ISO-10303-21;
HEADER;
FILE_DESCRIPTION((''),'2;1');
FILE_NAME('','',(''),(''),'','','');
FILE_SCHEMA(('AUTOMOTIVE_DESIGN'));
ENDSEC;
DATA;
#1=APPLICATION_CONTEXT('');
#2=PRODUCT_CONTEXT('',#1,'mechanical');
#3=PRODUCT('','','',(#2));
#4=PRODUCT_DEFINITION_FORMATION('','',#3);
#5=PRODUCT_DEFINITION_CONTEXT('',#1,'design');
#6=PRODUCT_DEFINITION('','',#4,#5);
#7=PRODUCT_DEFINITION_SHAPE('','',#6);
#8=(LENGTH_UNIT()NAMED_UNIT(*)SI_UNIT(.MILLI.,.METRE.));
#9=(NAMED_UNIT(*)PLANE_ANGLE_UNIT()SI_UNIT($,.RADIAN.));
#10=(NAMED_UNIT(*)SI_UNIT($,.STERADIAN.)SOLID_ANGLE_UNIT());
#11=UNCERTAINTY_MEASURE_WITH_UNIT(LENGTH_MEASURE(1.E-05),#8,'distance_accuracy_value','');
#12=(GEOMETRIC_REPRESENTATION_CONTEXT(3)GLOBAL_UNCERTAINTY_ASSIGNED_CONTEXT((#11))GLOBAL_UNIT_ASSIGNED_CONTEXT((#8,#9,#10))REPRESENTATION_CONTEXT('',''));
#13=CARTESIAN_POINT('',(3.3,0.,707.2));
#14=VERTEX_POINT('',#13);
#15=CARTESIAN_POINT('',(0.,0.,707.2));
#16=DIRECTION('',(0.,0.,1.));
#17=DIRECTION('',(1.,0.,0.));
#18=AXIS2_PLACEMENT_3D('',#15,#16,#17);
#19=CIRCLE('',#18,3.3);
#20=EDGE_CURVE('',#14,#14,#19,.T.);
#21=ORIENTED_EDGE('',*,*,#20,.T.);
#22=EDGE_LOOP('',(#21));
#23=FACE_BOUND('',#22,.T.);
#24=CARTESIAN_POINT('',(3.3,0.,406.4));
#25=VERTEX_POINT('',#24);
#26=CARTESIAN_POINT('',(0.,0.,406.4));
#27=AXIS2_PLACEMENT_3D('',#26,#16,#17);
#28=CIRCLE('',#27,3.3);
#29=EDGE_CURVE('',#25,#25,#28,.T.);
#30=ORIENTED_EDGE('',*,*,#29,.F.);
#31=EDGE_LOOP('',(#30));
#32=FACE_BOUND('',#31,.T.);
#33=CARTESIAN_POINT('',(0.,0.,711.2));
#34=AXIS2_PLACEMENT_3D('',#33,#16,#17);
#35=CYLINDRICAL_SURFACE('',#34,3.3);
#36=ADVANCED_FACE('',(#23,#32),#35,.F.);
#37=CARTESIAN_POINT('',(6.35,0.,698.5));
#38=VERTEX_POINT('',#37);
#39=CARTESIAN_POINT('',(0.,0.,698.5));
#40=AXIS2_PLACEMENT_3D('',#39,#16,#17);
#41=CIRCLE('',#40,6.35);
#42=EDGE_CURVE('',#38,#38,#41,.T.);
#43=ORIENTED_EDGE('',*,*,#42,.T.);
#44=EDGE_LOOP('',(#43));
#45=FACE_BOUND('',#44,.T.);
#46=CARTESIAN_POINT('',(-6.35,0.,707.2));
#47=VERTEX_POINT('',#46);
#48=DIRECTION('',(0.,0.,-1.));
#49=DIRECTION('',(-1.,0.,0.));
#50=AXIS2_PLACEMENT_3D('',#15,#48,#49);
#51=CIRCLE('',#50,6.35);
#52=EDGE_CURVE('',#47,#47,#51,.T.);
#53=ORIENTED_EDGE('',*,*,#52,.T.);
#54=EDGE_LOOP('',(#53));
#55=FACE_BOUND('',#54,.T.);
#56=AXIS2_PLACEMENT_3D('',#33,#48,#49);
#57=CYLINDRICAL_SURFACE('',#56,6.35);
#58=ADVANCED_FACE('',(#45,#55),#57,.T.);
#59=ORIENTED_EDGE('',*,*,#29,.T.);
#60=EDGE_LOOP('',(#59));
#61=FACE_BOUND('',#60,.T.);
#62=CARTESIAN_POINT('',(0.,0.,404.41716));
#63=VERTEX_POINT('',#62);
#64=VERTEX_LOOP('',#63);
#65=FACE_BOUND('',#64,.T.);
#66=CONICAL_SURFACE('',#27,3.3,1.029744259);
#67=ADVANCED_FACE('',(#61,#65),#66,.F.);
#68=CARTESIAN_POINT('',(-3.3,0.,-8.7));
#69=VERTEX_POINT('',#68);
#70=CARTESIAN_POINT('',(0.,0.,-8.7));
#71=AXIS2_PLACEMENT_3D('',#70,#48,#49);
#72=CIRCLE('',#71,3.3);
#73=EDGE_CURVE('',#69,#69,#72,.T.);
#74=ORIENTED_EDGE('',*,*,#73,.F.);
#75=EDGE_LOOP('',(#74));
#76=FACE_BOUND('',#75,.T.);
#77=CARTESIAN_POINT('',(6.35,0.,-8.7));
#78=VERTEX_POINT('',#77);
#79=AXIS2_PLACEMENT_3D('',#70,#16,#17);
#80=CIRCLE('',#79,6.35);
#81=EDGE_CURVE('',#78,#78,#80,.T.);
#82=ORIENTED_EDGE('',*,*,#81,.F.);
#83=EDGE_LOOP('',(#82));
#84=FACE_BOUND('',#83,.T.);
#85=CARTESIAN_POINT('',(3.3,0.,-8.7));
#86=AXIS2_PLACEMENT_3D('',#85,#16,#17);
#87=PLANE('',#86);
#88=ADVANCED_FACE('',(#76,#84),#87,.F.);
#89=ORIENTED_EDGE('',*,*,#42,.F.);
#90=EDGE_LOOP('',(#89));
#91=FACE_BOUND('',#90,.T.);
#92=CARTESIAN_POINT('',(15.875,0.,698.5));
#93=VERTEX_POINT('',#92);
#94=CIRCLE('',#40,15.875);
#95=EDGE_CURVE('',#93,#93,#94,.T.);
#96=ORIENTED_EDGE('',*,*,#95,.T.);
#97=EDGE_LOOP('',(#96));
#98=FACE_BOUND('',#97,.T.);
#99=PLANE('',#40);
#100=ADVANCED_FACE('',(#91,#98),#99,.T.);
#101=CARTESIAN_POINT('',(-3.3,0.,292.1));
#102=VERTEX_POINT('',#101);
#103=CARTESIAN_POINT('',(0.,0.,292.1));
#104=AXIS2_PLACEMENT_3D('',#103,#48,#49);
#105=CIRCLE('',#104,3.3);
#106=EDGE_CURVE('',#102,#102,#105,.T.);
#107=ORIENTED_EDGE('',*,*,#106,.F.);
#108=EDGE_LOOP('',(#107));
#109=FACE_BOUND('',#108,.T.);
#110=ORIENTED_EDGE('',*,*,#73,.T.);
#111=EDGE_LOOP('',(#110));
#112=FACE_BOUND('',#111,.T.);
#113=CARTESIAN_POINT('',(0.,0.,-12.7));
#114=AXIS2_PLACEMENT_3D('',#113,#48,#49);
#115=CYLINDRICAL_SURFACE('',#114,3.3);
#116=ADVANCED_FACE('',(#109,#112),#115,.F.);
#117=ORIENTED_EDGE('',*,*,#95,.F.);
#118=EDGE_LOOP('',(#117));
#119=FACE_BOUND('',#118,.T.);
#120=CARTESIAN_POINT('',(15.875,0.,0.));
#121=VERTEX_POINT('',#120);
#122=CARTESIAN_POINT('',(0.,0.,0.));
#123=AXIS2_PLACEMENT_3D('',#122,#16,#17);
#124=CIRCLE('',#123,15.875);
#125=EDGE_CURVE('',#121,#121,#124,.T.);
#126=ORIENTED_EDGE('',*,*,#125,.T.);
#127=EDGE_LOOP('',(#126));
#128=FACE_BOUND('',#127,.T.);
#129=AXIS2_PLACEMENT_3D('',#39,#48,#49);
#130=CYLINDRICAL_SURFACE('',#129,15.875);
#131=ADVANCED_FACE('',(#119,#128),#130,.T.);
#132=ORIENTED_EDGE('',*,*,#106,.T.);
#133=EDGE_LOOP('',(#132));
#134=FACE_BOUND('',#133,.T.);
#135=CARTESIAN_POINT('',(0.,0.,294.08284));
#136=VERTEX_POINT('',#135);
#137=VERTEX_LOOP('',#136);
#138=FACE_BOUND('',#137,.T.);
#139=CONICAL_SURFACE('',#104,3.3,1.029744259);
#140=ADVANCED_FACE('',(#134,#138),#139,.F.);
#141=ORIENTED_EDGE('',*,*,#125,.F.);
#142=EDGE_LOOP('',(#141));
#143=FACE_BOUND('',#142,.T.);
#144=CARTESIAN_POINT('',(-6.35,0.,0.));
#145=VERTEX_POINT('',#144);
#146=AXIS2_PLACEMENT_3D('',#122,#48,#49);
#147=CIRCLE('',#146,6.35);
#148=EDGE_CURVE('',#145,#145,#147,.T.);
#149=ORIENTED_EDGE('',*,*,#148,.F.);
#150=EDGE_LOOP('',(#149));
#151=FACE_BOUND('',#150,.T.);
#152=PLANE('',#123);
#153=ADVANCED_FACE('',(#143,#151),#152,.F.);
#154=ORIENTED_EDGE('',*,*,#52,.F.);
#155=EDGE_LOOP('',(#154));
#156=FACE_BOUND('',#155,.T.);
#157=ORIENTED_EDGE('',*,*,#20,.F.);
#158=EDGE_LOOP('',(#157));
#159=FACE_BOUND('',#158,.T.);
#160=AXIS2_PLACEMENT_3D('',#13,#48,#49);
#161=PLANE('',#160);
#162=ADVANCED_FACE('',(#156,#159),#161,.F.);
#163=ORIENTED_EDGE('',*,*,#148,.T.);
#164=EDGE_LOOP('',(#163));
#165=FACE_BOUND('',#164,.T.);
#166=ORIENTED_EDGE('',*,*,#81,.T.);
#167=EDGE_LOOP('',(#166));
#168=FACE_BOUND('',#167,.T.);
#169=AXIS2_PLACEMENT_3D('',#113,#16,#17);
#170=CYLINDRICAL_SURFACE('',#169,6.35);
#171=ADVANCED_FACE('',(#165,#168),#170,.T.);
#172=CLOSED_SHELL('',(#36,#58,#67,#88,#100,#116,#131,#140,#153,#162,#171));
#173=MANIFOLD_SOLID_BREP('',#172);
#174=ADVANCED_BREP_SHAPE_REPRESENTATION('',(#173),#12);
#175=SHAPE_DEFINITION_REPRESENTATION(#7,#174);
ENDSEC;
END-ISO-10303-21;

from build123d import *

# Parameters (mm, degrees)
SKETCH1_R                          = 15.875
BOSS_EXTRUDE1_DEPTH                = 698.5
SKETCH2_R                          = 6.35
BOSS_EXTRUDE2_DEPTH                = 12.7
BOSS_EXTRUDE3_START                = 12.7
SKETCH3_R                          = 6.35
BOSS_EXTRUDE3_DEPTH                = 12.7
CBORE_FOR_M6_HEX_HEAD1_D           = 6.6
CBORE_FOR_M6_HEX_HEAD1_DEPTH       = 304.8
CBORE_FOR_M6_HEX_HEAD1_CBORE_D     = 14.547
CBORE_FOR_M6_HEX_HEAD1_CBORE_DEPTH = 4
CBORE_FOR_M6_HEX_HEAD1_TIP         = 1.982840043
CBORE_FOR_M6_HEX_HEAD4_D           = 6.6
CBORE_FOR_M6_HEX_HEAD4_DEPTH       = 304.8
CBORE_FOR_M6_HEX_HEAD4_CBORE_D     = 14.547
CBORE_FOR_M6_HEX_HEAD4_CBORE_DEPTH = 4
CBORE_FOR_M6_HEX_HEAD4_TIP         = 1.982840043


with BuildPart() as part:
    # Sketch1 → Boss-Extrude1 (new body)
    with BuildSketch(Plane.XY):
        Circle(SKETCH1_R)
    extrude(amount=BOSS_EXTRUDE1_DEPTH)

    # Sketch2 → Boss-Extrude2 (add)
    with BuildSketch(Plane.XY.offset(698.5)):
        Circle(SKETCH2_R)
    extrude(amount=BOSS_EXTRUDE2_DEPTH)

    # Sketch3 → Boss-Extrude3 (add)
    with BuildSketch(Plane(origin=(0, 0, 0), x_dir=(-1, 0, 0), z_dir=(0, 0, -1)).offset(BOSS_EXTRUDE3_START)):
        with Locations(Location((0, 0, 0), (0, 0, 180))):
            Circle(SKETCH3_R)
    extrude(amount=-BOSS_EXTRUDE3_DEPTH)

    # CBORE for M6 Hex Head1
    with Locations(Plane.XY.offset(711.2)):
        with Locations((0, 0)):
            CounterBoreHole(CBORE_FOR_M6_HEX_HEAD1_D / 2, CBORE_FOR_M6_HEX_HEAD1_CBORE_D / 2, CBORE_FOR_M6_HEX_HEAD1_CBORE_DEPTH, depth=CBORE_FOR_M6_HEX_HEAD1_DEPTH)
            with Locations((0, 0, -(CBORE_FOR_M6_HEX_HEAD1_DEPTH + CBORE_FOR_M6_HEX_HEAD1_TIP / 2))):  # 118° drill point
                Cone(0, CBORE_FOR_M6_HEX_HEAD1_D / 2, CBORE_FOR_M6_HEX_HEAD1_TIP, mode=Mode.SUBTRACT)

    # CBORE for M6 Hex Head4
    with Locations(Plane(origin=(0, 0, -12.7), x_dir=(-1, 0, 0), z_dir=(0, 0, -1))):
        with Locations((0, 0)):
            CounterBoreHole(CBORE_FOR_M6_HEX_HEAD4_D / 2, CBORE_FOR_M6_HEX_HEAD4_CBORE_D / 2, CBORE_FOR_M6_HEX_HEAD4_CBORE_DEPTH, depth=CBORE_FOR_M6_HEX_HEAD4_DEPTH)
            with Locations((0, 0, -(CBORE_FOR_M6_HEX_HEAD4_DEPTH + CBORE_FOR_M6_HEX_HEAD4_TIP / 2))):  # 118° drill point
                Cone(0, CBORE_FOR_M6_HEX_HEAD4_D / 2, CBORE_FOR_M6_HEX_HEAD4_TIP, mode=Mode.SUBTRACT)


solid = part.part
